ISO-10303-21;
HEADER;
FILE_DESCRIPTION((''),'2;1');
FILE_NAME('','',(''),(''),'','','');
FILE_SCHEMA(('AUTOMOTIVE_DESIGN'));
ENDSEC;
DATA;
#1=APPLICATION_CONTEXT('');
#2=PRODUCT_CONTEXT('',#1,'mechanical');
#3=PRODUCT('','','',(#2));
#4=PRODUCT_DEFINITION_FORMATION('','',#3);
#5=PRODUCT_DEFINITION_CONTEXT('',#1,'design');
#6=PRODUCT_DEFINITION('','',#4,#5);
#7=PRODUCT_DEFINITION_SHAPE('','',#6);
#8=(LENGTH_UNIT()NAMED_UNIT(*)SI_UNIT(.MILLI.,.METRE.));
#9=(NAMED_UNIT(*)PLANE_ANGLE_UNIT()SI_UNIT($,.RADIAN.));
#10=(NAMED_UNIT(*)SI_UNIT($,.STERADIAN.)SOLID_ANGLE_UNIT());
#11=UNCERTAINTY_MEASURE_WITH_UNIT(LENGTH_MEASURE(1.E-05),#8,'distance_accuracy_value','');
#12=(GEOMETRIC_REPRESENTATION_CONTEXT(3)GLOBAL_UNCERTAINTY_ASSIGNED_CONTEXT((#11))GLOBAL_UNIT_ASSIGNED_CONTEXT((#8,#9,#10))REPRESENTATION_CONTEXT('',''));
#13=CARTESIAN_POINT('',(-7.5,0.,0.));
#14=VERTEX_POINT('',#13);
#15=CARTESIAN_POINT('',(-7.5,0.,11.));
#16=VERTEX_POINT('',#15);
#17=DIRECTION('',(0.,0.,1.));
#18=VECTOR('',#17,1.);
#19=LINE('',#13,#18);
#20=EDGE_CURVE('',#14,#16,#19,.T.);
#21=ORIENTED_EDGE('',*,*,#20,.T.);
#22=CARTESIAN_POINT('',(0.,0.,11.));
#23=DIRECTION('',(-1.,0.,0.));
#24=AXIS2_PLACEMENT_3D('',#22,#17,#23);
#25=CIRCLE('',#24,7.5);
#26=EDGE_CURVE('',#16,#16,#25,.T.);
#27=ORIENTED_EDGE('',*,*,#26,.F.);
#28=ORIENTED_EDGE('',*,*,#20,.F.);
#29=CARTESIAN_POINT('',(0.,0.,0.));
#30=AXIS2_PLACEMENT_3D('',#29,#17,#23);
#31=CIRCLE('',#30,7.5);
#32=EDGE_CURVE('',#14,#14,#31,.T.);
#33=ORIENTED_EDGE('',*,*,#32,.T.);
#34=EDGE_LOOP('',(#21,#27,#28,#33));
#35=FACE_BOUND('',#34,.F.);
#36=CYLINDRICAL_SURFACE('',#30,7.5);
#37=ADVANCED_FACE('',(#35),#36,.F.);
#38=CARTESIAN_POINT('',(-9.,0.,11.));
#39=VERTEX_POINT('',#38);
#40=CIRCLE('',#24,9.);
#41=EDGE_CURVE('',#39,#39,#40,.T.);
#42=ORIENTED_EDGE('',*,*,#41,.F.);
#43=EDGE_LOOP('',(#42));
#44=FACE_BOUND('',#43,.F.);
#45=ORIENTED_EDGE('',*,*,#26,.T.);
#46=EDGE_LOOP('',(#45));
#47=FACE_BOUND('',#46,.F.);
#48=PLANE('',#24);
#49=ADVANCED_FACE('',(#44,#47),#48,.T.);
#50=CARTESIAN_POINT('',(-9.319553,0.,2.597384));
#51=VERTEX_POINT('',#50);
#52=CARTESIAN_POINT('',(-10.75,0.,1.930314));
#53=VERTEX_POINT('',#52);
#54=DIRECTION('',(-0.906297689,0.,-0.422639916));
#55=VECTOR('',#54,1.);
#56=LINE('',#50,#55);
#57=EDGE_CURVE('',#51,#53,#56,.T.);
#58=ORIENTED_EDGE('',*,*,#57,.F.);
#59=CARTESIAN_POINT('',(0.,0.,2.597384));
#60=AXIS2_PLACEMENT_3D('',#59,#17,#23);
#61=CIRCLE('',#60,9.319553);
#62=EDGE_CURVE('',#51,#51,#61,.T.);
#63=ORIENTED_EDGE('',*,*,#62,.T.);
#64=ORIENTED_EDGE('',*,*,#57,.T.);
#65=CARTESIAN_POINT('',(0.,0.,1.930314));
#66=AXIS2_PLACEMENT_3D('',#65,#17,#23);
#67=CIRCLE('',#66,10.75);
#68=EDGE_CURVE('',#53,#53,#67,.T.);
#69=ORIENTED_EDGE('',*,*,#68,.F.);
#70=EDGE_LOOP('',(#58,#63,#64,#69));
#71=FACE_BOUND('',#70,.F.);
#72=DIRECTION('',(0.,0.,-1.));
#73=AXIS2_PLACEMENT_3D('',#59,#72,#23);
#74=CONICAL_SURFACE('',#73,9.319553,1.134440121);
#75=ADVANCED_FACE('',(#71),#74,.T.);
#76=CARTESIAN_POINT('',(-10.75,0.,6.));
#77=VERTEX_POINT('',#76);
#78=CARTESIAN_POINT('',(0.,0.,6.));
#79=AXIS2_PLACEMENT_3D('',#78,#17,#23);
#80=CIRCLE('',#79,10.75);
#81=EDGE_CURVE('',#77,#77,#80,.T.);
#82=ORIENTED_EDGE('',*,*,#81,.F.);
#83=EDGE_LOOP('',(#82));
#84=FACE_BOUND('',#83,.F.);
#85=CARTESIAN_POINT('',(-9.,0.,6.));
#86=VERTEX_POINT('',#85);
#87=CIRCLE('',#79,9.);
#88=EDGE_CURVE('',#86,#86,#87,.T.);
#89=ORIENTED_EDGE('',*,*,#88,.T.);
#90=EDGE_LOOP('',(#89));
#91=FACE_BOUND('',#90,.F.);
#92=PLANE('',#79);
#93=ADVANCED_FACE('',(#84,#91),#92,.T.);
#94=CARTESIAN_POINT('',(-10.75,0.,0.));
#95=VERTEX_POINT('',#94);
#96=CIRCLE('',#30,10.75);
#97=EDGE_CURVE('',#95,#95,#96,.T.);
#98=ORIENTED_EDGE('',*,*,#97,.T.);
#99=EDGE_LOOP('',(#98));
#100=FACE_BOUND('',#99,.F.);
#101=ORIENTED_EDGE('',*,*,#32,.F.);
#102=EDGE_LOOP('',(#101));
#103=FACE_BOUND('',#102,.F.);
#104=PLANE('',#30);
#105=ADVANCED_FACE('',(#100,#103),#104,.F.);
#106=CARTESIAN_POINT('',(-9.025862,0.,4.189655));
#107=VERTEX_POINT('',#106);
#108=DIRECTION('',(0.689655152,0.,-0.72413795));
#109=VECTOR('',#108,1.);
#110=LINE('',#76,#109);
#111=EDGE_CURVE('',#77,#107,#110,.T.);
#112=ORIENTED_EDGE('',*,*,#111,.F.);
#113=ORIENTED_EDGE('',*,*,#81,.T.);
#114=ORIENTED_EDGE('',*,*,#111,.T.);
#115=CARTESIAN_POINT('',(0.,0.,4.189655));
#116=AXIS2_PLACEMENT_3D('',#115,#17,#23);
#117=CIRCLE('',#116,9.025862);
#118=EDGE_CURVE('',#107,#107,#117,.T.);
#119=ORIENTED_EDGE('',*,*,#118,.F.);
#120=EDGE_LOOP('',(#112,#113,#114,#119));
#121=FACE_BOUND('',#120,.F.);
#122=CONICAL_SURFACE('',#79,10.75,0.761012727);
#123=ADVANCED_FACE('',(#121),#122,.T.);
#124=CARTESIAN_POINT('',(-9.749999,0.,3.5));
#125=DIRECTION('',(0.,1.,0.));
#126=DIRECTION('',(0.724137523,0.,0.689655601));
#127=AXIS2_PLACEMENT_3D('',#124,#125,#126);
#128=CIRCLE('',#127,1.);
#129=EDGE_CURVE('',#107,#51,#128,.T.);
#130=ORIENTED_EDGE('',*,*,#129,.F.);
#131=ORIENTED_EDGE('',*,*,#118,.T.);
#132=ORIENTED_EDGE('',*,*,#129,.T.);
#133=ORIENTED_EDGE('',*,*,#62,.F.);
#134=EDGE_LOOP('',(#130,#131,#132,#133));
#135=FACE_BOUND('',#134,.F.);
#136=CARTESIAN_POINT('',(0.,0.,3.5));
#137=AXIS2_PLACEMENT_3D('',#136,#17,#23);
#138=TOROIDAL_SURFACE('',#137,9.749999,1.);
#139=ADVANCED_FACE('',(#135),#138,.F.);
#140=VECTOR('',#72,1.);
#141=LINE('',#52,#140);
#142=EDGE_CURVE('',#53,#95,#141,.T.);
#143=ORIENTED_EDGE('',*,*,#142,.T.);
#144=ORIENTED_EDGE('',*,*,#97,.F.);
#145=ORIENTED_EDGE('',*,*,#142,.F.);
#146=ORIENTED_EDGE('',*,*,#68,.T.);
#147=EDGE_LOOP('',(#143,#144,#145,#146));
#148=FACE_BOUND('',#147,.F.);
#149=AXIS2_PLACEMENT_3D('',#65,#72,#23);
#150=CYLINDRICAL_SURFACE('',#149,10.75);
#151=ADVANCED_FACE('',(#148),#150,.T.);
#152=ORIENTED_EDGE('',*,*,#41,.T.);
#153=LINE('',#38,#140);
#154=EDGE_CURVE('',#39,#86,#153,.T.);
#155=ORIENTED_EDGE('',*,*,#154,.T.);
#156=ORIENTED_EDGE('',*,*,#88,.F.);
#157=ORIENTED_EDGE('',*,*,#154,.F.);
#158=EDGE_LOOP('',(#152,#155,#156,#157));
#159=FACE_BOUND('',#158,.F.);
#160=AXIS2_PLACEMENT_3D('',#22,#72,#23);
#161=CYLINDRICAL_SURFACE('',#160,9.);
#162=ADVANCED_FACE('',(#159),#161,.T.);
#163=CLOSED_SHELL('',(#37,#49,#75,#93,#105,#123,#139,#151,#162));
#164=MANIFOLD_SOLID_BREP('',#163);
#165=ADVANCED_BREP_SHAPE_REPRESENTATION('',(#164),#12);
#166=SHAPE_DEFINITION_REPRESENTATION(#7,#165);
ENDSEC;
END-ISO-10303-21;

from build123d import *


with BuildPart() as f1:
    # F0 (on Front) → F1 (revolve)
    with BuildSketch(Plane.XZ):
        with BuildLine():
            Line((-10.75, 0), (-7.5, 0))
            Line((-7.5, 0), (-7.5, 11))
            Line((-7.5, 11), (-9, 11))
            Line((-9, 11), (-9, 6))
            Line((-9, 6), (-10.75, 6))
            Line((-10.75, 6), (-9.025862, 4.189655))
            ThreePointArc((-9.025862, 4.189655), (-8.766588, 3.318612), (-9.319553, 2.597384))
            Line((-9.319553, 2.597384), (-10.75, 1.930314))
            Line((-10.75, 1.930314), (-10.75, 0))
        make_face()
    revolve(axis=Axis((0, 0, 13.534962), (0, 0, 1)))


solid = f1.part
